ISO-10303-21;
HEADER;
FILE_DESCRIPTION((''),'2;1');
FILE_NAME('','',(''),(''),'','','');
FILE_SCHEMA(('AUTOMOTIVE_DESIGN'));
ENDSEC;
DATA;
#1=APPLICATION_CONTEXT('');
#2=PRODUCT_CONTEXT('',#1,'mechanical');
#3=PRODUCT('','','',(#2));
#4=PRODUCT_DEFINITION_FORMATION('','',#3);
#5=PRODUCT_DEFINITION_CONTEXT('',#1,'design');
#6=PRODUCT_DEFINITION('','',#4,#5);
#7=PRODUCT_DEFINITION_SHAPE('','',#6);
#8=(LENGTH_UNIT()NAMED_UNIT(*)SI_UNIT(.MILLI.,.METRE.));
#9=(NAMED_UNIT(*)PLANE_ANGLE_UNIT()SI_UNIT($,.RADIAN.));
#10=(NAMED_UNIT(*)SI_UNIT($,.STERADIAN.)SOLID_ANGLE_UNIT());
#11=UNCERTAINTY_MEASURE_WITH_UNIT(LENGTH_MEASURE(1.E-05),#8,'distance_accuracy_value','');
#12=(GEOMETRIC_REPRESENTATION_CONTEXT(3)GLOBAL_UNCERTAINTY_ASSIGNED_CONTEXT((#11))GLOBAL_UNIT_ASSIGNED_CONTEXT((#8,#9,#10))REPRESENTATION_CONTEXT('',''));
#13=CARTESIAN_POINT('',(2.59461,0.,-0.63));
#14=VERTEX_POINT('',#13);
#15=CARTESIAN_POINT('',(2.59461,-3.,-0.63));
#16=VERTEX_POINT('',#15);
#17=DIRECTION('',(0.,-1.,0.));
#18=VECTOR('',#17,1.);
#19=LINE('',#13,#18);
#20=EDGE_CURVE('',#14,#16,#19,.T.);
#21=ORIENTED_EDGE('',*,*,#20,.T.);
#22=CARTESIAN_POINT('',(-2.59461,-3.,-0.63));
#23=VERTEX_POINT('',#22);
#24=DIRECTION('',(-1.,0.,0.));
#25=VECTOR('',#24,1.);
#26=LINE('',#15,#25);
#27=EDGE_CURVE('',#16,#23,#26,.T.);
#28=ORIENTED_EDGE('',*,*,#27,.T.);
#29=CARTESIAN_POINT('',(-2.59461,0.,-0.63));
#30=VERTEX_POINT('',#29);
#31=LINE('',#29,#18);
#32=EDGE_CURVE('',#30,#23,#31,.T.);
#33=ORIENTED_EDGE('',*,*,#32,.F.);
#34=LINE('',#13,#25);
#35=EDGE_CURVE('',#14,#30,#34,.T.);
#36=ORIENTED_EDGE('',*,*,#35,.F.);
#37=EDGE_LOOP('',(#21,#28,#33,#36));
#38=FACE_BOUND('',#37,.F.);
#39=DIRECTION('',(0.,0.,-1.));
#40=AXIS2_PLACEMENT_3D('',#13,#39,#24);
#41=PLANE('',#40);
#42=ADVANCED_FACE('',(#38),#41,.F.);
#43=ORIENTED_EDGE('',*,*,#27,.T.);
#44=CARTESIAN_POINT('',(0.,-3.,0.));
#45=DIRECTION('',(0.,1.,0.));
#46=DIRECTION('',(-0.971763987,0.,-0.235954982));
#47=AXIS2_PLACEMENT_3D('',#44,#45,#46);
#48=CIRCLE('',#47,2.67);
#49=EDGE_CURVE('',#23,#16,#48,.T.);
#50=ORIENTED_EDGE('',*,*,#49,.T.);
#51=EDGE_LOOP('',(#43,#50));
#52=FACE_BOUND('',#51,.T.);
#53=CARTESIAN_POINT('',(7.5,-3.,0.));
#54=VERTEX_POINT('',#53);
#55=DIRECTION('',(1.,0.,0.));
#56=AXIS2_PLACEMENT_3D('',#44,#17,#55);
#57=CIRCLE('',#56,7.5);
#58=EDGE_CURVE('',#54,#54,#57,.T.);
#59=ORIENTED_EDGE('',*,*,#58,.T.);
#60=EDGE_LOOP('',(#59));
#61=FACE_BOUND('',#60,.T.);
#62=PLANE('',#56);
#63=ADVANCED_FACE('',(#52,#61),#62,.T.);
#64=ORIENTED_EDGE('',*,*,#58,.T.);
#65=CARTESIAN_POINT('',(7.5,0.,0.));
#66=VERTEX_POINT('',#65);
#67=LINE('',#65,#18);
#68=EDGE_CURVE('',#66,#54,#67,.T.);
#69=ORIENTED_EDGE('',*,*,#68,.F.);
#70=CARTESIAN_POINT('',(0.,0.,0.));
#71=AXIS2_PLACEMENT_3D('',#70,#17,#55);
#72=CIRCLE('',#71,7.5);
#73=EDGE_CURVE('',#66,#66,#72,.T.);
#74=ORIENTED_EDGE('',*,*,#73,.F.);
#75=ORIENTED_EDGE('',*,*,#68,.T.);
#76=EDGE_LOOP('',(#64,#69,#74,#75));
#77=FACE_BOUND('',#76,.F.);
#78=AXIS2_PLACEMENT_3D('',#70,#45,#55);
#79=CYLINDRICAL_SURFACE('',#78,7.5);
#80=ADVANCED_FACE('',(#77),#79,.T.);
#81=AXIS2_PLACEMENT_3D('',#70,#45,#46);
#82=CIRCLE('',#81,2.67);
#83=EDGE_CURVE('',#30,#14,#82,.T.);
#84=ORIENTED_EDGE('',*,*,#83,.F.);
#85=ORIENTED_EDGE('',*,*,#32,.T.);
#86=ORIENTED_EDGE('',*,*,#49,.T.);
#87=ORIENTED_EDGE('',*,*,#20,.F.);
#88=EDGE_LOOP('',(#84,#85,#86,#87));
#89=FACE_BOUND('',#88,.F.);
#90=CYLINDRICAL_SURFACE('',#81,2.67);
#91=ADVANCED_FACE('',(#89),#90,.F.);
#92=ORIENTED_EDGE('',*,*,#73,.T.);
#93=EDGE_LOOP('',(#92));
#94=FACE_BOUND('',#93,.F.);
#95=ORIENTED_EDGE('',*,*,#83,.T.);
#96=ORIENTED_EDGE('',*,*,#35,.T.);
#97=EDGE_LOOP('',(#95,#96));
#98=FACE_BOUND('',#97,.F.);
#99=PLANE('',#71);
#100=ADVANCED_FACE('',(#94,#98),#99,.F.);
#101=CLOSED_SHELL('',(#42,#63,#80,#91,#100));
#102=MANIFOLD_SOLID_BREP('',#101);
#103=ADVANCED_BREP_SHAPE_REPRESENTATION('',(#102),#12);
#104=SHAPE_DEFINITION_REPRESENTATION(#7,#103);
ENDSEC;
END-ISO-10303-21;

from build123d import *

# Parameters (mm, degrees)
F0_R     = 7.5
F1_DEPTH = 3


with BuildPart() as f1:
    # F0 (on Front) → F1 (new body)
    with BuildSketch(Plane.XZ):
        Circle(F0_R)
        with BuildLine():
            Line((2.59461, -0.63), (0, -0.63))
            Line((0, -0.63), (-2.59461, -0.63))
            ThreePointArc((-2.59461, -0.63), (0, 2.67), (2.59461, -0.63))
        make_face(mode=Mode.SUBTRACT)
    extrude(amount=F1_DEPTH)


solid = f1.part
